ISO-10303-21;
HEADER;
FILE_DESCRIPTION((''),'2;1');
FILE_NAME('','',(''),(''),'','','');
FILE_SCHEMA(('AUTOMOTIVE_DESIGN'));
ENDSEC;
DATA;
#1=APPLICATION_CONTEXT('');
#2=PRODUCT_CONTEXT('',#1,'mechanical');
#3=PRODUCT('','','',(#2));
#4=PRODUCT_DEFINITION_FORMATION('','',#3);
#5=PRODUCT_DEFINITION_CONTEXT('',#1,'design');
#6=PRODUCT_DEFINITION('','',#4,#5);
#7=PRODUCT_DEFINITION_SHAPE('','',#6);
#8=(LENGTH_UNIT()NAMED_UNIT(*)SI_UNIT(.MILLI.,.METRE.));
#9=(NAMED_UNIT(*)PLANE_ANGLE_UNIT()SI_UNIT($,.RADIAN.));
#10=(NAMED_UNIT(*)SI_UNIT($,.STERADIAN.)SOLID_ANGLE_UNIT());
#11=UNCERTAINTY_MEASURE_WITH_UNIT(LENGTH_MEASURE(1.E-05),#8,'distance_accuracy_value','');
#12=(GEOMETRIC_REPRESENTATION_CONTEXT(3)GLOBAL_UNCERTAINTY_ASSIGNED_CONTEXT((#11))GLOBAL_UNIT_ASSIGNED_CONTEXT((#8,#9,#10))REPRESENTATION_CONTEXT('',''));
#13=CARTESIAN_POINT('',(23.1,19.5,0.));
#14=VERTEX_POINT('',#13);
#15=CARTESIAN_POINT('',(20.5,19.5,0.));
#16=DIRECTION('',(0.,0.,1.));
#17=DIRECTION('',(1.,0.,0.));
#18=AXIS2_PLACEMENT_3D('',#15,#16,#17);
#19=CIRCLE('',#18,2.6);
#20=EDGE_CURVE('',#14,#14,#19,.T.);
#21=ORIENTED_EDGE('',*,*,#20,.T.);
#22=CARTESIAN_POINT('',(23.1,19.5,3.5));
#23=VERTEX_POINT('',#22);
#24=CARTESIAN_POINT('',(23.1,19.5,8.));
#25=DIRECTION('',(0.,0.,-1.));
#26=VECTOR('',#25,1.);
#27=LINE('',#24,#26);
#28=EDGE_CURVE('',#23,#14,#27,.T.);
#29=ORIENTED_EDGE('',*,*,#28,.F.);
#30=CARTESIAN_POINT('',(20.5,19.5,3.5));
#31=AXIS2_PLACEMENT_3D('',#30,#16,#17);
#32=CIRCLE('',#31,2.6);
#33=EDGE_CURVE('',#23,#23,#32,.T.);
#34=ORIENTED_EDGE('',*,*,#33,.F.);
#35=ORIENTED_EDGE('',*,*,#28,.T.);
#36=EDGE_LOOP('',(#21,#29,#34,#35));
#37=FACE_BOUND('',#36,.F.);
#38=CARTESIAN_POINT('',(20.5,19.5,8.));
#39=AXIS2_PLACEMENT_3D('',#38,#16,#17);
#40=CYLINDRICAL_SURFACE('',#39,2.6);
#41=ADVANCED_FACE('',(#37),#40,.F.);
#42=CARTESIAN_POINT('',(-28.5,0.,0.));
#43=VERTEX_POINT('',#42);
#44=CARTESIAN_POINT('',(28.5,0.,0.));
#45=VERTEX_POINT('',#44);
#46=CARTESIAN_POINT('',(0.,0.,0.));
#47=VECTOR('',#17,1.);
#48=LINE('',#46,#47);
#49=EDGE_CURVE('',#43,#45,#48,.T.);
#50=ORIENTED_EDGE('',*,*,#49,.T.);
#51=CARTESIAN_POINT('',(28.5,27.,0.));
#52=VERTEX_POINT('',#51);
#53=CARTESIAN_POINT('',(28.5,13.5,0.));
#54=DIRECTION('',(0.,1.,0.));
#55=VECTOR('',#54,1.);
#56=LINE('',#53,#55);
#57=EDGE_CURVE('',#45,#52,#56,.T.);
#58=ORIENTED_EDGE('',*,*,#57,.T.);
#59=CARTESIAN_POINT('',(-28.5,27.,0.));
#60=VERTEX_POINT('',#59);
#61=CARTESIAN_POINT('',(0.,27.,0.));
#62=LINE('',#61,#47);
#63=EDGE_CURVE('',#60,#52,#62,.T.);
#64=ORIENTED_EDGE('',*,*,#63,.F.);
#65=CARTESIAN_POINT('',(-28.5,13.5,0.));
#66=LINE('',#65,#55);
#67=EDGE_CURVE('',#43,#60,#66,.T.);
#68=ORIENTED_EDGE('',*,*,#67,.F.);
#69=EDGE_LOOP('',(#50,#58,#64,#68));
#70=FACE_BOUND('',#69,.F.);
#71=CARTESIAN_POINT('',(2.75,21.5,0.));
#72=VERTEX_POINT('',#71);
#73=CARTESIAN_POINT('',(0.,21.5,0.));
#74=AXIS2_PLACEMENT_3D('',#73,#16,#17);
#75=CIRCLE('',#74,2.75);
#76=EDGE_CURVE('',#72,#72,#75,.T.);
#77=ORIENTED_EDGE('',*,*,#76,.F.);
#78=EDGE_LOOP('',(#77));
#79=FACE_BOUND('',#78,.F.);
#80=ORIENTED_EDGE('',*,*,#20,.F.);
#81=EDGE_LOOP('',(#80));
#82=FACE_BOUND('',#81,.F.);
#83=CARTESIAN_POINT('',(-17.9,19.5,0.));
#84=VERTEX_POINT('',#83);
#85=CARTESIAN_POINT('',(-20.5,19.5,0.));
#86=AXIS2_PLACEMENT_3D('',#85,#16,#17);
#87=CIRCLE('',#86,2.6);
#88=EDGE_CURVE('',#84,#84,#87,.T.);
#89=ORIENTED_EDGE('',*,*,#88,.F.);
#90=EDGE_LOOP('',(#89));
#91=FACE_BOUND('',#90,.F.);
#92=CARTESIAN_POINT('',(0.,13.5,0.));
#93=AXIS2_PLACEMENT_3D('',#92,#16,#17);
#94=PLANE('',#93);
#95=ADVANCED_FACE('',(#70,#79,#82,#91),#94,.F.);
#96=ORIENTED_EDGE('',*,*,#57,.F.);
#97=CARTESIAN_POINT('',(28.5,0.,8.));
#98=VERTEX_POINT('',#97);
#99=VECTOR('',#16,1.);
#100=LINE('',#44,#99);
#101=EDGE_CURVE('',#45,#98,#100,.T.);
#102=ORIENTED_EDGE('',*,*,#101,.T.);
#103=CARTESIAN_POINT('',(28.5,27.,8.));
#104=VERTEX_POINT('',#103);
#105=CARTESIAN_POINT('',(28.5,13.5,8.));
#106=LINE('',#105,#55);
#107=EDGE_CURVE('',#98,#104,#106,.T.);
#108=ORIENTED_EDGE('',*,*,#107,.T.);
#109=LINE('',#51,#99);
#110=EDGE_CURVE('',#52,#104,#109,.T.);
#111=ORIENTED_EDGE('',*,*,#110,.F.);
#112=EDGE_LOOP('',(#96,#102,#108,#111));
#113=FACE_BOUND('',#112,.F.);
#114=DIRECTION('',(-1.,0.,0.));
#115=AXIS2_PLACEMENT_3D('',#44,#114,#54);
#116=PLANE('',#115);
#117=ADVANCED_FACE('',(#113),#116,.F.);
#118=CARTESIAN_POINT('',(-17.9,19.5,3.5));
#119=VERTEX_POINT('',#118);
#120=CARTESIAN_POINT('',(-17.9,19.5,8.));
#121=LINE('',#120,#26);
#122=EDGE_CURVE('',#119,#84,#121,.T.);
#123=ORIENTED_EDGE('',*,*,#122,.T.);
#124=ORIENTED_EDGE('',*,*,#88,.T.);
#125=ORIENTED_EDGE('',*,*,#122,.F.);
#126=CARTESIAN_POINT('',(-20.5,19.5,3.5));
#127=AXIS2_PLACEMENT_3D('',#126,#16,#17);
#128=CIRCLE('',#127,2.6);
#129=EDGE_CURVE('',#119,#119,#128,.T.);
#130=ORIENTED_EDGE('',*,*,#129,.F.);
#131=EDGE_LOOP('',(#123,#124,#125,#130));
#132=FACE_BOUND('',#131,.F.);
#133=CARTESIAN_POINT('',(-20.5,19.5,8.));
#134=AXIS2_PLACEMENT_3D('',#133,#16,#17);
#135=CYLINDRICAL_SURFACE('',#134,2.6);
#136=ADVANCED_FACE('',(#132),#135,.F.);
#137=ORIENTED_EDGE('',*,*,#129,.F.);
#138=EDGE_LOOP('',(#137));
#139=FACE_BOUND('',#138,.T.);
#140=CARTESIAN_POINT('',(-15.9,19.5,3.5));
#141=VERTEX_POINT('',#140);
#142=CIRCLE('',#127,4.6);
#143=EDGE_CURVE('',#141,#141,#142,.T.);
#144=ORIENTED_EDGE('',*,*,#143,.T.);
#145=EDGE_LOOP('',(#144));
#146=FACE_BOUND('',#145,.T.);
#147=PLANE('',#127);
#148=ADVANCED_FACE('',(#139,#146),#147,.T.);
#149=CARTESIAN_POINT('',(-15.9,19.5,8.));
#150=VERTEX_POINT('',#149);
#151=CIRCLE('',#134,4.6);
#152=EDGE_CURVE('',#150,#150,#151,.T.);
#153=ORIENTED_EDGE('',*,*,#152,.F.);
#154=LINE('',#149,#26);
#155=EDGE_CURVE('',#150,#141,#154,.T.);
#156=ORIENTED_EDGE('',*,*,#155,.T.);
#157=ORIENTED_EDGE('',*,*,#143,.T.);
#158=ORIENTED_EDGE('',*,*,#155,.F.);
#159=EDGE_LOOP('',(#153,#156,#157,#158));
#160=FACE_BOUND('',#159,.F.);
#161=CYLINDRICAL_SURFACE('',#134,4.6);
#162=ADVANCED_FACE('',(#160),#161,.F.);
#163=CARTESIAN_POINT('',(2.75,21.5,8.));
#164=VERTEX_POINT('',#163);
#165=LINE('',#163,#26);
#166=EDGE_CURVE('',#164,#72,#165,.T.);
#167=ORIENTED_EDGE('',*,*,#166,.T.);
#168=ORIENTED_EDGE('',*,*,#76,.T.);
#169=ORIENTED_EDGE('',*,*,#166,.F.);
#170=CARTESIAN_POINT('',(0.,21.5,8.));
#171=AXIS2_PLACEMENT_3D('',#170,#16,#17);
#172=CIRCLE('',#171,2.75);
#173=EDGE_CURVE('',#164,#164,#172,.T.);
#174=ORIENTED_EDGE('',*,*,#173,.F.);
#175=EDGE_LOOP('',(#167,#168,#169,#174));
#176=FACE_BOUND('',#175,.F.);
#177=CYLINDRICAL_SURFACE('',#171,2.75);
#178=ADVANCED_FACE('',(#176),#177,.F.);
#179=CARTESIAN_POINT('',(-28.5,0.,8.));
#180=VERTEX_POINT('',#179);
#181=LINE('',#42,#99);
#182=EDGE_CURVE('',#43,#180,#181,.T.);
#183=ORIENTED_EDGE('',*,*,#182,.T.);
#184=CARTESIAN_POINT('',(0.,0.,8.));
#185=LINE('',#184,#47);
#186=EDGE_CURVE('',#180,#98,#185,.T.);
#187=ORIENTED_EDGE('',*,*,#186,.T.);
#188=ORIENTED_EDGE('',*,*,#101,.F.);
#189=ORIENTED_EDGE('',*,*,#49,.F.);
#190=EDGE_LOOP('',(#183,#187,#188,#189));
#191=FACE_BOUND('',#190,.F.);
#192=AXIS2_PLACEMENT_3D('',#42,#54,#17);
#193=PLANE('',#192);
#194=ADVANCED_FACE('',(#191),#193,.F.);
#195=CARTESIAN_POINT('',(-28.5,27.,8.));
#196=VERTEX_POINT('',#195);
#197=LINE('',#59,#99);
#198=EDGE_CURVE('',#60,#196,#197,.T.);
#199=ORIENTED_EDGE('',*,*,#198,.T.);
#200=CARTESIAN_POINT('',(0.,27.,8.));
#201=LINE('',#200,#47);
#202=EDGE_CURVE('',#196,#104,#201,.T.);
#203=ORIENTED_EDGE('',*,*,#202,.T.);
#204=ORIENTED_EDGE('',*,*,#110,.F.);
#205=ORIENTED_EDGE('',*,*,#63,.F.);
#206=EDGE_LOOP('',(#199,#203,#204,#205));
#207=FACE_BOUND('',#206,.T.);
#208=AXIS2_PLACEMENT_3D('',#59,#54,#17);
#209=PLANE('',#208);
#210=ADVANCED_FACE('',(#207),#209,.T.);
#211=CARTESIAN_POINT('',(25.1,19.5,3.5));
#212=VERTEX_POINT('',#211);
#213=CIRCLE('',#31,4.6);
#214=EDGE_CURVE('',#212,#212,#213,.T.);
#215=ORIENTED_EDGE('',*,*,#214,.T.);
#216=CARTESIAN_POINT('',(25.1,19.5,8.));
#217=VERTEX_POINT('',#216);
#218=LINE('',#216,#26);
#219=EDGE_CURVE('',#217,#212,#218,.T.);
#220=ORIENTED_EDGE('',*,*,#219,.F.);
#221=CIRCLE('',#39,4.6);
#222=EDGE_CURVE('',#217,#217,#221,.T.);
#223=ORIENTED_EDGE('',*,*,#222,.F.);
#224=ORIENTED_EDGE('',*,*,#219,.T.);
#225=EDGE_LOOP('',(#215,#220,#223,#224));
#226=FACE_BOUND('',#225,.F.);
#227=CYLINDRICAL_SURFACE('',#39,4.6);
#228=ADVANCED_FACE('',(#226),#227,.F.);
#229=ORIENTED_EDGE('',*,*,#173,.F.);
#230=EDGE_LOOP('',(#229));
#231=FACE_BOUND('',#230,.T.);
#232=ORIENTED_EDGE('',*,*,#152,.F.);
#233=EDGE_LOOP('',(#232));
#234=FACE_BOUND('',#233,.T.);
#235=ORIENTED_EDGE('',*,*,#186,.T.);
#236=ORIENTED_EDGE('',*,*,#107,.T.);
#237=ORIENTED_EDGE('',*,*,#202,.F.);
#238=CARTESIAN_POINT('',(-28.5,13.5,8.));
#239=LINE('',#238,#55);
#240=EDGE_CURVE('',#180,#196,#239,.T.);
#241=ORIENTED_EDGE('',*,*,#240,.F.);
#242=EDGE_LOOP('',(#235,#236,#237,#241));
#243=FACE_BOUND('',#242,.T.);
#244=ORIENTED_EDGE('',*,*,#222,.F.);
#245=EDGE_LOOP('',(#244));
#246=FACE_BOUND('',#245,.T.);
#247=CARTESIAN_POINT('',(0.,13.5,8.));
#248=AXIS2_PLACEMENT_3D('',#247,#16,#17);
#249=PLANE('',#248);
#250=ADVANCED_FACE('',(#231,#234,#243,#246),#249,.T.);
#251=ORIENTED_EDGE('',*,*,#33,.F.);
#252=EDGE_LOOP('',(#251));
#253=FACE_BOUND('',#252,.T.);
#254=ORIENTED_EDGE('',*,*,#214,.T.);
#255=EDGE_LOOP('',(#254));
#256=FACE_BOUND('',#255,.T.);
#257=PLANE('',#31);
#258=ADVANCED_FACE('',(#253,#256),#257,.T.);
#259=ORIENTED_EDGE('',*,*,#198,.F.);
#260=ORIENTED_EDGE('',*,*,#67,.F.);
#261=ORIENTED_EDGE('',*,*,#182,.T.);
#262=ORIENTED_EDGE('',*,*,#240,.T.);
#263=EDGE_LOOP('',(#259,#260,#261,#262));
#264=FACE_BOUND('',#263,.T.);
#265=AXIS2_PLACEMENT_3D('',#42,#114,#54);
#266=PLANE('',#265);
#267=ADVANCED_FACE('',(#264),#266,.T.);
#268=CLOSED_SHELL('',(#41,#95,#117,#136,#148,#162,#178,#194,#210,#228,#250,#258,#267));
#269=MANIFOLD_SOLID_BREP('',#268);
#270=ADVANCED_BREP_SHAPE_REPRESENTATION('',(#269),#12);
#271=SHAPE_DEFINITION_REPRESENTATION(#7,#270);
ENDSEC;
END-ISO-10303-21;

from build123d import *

# Parameters (mm, degrees)
F0_W     = 57
F0_H     = 27
F1_DEPTH = 8
F2_R     = 2.75
F2_R_2   = 2.6
F3_DEPTH = 9
F2_R_3   = 4.6
F4_DEPTH = 4.5


with BuildPart() as f1:
    # F0 (on Top) → F1 (new body)
    with BuildSketch(Plane.XY):
        with Locations((0, 13.5)):
            Rectangle(F0_W, F0_H)
    extrude(amount=F1_DEPTH)

    # F2 (on face) → F3 (cut)
    with BuildSketch(Plane.XY.offset(8)):
        with Locations((0, 21.5)):
            Circle(F2_R)
        with Locations((20.5, 19.5)):
            Circle(F2_R_2)
        with Locations((-20.5, 19.5)):
            Circle(F2_R_2)
    extrude(amount=-F3_DEPTH, mode=Mode.SUBTRACT)

    # F2 (on face) → F4 (cut)
    with BuildSketch(Plane.XY.offset(8)):
        with Locations((-20.5, 19.5)):
            Circle(F2_R_3)
        with Locations((-20.5, 19.5)):
            Circle(F2_R_2, mode=Mode.SUBTRACT)
        with Locations((20.5, 19.5)):
            Circle(F2_R_3)
        with Locations((20.5, 19.5)):
            Circle(F2_R_2, mode=Mode.SUBTRACT)
        with Locations((0, 21.5)):
            Circle(F2_R)
    extrude(amount=-F4_DEPTH, mode=Mode.SUBTRACT)


solid = f1.part
